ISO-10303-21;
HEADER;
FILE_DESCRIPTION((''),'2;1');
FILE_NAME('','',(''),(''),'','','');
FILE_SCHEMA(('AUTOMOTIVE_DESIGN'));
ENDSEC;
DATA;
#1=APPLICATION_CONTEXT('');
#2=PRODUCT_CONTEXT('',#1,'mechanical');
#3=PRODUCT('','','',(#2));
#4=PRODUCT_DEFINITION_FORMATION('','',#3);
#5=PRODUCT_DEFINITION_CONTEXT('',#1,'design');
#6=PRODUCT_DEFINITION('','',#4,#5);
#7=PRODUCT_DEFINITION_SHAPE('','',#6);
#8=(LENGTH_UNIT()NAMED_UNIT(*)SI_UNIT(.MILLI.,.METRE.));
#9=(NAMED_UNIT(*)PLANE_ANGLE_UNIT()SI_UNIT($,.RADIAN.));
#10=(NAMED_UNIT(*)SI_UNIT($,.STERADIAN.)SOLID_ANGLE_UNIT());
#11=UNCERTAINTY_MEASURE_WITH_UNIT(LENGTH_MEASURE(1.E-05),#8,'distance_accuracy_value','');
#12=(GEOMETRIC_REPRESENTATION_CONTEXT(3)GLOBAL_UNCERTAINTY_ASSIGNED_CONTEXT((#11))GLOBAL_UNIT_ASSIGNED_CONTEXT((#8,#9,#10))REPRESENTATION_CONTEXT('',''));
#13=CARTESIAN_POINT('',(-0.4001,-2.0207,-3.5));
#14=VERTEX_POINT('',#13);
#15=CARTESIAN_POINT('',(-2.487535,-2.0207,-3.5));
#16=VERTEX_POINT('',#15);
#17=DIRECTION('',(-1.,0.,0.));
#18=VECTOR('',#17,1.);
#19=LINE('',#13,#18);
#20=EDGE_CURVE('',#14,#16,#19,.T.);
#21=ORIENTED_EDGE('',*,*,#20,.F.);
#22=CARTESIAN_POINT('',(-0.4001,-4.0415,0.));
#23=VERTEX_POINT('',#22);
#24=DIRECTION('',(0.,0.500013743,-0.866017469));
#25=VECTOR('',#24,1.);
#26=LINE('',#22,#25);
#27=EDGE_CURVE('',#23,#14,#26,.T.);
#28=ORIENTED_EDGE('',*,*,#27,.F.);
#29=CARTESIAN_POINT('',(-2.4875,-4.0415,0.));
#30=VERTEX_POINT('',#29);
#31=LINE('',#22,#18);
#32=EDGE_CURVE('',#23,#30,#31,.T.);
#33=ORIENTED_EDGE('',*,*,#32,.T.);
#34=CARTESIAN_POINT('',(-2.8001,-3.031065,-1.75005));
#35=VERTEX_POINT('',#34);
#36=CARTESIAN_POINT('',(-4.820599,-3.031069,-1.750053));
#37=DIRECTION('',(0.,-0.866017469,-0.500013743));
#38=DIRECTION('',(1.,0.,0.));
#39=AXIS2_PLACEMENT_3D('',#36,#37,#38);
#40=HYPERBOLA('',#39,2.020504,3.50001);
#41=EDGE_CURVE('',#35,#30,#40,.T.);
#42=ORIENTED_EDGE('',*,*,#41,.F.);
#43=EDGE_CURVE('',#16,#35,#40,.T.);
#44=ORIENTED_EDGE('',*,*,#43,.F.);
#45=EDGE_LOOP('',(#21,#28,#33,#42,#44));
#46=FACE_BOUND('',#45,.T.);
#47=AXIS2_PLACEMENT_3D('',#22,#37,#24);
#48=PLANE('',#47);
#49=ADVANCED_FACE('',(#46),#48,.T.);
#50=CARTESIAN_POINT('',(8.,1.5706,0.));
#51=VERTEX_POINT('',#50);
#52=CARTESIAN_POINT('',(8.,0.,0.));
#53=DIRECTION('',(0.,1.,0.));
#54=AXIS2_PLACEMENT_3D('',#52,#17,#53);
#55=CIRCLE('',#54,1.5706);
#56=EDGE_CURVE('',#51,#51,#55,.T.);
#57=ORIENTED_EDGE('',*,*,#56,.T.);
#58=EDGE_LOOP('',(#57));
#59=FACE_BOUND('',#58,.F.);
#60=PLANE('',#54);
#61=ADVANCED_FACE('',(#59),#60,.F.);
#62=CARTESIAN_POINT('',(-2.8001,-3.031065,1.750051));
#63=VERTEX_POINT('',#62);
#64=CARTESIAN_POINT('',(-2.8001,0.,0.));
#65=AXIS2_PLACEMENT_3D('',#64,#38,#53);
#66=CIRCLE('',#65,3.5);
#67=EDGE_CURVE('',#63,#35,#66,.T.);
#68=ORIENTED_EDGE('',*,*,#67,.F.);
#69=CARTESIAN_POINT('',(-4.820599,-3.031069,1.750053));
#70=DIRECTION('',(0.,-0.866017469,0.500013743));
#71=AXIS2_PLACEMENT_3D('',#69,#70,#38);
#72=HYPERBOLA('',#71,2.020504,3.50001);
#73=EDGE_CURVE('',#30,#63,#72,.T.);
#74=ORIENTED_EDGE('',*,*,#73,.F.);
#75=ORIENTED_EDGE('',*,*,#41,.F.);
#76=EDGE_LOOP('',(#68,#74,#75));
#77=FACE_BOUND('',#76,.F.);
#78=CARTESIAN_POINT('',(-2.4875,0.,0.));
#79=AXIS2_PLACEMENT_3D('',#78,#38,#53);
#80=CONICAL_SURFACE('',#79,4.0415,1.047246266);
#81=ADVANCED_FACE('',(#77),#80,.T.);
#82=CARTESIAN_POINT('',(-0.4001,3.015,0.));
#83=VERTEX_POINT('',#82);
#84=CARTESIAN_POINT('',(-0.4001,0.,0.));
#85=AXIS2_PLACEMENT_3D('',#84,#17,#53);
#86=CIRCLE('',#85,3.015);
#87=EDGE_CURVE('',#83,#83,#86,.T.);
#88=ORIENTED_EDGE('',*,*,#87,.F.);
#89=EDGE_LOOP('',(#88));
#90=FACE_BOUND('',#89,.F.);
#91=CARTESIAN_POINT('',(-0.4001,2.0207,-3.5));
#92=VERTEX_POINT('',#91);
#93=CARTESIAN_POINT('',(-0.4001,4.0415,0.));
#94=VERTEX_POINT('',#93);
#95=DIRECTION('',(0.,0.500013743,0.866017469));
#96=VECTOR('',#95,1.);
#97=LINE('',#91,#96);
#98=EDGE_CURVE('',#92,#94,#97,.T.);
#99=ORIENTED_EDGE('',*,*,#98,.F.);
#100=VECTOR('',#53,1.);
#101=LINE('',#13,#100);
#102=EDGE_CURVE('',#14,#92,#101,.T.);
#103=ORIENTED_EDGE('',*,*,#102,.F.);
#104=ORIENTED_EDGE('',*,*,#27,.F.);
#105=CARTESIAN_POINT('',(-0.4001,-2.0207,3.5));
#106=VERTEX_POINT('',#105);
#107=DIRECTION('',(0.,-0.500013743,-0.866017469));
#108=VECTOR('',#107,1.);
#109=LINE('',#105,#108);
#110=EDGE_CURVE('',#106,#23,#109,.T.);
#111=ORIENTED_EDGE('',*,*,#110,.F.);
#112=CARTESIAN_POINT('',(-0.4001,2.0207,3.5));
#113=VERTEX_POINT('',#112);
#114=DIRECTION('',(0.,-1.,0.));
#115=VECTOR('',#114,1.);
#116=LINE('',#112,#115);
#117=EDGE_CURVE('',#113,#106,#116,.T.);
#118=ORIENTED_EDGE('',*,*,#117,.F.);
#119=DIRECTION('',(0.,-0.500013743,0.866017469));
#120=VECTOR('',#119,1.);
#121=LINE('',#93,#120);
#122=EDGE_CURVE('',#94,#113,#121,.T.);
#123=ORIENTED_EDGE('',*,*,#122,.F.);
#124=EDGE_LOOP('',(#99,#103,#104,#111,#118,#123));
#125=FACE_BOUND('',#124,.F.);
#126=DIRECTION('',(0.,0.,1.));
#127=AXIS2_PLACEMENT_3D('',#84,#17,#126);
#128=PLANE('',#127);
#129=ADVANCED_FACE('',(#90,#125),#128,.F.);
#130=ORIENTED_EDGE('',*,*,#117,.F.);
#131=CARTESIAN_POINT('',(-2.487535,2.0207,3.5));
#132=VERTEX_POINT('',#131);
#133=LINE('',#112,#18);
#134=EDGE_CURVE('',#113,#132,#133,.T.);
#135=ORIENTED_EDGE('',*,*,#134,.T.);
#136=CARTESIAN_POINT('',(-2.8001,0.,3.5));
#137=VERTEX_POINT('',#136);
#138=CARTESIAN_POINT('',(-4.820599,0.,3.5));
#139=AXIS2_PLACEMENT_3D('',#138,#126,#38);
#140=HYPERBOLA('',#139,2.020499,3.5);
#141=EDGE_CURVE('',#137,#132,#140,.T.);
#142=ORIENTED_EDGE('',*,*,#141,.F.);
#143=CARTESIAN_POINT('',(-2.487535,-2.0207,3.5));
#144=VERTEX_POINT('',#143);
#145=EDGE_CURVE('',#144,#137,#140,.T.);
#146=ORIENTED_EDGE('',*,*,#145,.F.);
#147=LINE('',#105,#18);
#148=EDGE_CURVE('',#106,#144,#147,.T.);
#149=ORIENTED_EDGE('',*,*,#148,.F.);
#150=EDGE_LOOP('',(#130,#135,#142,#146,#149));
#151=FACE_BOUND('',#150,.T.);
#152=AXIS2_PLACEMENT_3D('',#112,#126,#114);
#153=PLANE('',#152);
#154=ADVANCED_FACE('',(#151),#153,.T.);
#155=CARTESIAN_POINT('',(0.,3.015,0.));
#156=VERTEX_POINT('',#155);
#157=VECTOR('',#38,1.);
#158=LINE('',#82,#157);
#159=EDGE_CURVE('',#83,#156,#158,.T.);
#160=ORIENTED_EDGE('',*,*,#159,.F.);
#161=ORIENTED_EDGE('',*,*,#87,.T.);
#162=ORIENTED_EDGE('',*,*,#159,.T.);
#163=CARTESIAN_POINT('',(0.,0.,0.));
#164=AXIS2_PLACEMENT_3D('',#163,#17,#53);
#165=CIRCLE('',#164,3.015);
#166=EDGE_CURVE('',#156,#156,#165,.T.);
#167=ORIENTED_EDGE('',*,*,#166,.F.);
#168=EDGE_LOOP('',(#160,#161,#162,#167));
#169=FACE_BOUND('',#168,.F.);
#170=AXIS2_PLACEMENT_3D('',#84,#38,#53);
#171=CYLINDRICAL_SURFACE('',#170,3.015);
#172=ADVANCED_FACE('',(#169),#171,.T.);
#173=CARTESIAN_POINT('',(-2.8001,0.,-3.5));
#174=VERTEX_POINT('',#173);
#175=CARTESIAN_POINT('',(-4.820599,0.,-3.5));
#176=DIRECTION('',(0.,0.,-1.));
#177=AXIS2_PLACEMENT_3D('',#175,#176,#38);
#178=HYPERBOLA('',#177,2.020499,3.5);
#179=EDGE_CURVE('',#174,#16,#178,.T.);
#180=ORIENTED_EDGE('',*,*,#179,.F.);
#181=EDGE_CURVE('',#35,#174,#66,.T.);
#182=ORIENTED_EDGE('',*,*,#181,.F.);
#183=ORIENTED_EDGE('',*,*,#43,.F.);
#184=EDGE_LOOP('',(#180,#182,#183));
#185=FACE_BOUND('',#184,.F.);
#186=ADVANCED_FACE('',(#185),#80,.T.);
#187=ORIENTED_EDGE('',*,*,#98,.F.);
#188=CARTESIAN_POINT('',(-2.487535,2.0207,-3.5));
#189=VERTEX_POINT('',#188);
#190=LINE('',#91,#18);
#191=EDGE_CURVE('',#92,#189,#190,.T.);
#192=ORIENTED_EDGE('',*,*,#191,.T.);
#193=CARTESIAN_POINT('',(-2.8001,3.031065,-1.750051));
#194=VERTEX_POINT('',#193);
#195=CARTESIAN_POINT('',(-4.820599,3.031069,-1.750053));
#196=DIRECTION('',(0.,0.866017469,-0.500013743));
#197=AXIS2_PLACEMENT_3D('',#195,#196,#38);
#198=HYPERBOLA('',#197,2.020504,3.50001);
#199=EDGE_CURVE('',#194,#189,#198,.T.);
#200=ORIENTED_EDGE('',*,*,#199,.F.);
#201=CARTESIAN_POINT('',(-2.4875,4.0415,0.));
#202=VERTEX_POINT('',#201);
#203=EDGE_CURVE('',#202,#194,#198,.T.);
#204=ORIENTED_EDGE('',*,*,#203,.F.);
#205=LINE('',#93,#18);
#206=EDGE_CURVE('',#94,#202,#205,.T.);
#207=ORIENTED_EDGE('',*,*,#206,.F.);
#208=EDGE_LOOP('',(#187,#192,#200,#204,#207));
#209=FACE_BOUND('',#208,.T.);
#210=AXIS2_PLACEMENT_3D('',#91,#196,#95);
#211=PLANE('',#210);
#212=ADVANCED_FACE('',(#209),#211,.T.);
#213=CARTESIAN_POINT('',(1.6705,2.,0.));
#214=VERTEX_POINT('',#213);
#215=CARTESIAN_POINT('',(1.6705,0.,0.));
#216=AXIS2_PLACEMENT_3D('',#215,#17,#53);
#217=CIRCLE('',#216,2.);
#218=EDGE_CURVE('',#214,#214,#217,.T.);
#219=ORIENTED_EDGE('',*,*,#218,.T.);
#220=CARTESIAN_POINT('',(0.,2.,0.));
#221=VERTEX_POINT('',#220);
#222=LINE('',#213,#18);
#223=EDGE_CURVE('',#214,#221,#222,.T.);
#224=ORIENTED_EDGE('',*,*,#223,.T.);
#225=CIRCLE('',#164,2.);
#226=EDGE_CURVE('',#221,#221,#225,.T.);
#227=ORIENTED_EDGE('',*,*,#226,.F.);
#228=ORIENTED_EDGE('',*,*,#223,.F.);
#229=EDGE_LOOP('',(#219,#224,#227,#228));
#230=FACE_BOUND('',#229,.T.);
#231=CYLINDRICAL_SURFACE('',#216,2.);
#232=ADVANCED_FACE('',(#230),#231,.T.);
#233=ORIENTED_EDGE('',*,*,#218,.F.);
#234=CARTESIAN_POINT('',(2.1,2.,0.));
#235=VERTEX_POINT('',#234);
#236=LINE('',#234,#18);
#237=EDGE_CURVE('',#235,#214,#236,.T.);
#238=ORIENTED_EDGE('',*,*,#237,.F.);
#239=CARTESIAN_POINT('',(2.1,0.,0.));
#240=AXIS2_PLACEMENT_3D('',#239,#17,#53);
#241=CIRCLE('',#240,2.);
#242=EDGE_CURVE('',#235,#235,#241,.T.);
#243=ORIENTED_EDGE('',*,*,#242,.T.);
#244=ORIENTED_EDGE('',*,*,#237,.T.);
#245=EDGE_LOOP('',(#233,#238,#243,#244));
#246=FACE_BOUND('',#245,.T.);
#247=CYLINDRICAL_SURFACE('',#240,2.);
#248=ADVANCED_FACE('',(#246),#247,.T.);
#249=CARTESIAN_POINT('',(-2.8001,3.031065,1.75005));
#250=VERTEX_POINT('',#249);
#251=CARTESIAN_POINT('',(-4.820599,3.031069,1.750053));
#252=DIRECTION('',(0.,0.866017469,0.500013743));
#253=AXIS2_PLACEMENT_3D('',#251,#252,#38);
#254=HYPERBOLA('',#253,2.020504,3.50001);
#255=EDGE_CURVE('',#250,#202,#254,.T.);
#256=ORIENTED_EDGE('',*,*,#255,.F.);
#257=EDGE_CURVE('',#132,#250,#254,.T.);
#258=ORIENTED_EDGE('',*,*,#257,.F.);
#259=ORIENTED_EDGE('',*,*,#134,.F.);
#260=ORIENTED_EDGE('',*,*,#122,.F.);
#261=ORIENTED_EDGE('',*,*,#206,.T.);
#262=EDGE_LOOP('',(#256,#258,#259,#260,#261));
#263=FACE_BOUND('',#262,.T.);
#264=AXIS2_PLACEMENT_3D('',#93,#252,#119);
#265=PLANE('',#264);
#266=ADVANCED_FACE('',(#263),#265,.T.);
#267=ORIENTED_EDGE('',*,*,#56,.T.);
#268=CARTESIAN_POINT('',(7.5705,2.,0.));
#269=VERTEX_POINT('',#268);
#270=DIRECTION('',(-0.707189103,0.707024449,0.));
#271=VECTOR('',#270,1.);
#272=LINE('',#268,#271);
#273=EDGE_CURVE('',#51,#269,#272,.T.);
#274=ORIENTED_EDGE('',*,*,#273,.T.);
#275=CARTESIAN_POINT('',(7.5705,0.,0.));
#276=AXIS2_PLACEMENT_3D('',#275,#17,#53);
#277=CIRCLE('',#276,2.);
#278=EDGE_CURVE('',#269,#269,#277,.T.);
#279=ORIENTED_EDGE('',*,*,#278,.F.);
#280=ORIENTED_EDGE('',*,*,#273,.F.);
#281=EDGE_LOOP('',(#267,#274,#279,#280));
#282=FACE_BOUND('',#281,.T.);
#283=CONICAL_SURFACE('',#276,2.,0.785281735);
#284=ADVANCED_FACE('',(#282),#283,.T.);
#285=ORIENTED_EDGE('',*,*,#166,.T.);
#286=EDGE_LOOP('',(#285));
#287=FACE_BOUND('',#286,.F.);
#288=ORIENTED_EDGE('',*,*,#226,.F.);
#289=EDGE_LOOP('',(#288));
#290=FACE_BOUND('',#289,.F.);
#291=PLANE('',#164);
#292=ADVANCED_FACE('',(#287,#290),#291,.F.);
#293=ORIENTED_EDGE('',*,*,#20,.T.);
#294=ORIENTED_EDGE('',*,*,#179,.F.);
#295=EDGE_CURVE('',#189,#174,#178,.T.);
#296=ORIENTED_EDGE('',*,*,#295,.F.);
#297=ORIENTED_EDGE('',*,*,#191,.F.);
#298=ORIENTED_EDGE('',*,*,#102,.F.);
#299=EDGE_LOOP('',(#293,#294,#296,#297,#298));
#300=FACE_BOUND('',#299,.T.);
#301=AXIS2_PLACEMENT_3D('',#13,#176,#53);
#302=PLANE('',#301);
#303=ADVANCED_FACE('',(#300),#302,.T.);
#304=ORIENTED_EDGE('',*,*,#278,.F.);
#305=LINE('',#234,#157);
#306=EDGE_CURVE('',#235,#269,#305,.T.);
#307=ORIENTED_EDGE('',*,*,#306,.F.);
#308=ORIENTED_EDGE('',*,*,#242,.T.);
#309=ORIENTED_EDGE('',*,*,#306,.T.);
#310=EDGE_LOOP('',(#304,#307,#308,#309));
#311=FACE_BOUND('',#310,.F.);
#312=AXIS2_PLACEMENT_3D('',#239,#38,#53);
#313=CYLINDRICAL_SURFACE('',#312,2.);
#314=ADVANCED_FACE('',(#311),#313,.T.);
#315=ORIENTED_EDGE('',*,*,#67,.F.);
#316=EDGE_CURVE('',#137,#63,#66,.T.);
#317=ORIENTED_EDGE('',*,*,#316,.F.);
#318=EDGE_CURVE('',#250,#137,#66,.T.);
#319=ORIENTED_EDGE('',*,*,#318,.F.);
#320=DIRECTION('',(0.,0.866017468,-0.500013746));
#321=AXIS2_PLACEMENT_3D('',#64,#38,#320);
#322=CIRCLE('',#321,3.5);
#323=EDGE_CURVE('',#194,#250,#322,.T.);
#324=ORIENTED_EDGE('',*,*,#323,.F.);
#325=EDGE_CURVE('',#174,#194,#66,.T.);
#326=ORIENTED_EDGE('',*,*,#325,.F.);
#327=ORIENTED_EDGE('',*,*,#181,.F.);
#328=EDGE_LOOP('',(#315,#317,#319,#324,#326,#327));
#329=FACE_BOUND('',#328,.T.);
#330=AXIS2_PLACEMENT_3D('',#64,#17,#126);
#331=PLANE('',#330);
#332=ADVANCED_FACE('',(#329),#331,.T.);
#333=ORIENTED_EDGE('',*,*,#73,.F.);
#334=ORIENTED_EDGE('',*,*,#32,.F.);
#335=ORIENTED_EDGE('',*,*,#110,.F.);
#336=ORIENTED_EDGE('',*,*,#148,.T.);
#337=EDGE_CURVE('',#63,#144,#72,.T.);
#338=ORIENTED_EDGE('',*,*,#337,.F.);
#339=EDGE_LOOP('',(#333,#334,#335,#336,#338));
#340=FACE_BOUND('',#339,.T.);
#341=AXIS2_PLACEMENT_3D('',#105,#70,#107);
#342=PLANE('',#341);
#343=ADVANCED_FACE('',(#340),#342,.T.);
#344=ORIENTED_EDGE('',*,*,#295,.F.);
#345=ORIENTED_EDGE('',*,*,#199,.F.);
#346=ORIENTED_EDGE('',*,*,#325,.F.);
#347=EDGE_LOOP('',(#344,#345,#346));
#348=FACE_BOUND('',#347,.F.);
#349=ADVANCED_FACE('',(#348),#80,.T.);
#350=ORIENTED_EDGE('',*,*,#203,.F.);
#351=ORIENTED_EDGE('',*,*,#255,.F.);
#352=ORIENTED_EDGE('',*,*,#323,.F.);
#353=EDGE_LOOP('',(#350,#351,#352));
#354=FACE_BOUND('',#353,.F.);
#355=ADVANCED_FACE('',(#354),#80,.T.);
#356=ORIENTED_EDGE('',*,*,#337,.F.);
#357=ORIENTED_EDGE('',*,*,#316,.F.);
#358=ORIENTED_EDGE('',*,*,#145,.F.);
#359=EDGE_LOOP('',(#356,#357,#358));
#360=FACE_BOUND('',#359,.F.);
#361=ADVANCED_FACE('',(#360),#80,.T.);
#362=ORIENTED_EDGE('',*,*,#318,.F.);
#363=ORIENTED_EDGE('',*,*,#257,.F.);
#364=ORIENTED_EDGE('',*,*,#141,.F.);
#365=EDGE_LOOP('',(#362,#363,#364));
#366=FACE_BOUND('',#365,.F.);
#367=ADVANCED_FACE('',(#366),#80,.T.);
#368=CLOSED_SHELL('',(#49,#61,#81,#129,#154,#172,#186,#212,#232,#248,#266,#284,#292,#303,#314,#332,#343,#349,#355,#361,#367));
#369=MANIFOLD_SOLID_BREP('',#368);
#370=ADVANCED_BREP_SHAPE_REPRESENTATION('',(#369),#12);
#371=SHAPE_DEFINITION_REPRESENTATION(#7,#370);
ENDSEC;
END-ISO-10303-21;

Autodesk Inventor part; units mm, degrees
ref_plane "YZ Plane" through (0, 0, 0) normal (1, 0, 0) x (0, 1, 0)
ref_plane "XZ Plane" through (0, 0, 0) normal (0, 1, 0) x (-1, 0, 0)
sketch "Boceto1" plane through (0, 0, 0) normal (0, 0, 1) x (1, 0, 0)
  line L0 (0, 3.015) -> (0, 2)
  line L1 (2.1, 2) -> (8, 2)
  line L2 (8, 2) -> (8, 0)
  line L3 (8, 0) -> (-0.4001, 0)
  line L4 (-2.0801, 0) -> (9.68, 0) projected
  line L5 (-0.4001, 0) -> (-0.4001, 3.015)
  line L6 (-0.4001, 3.015) -> (0, 3.015)
  line L7 (2.1, 2) -> (1.6705, 2)
  line L8 (1.6705, 2) -> (0, 2)
  line L9 (0, -0.603) -> (0, 3.618) projected
  dimension "d0" = 8
  dimension "d1" = 5.9
  dimension "d2" = 4
  dimension "d9" = 0.4001
  dimension "d10" = 6.03
  dimension "d13" = 0.4295
  dimension "d14" = 4
revolve "Cuerpo" add sketch "Boceto1" angle 360 about axis through (8, 0, 0) along (-1, 0, 0)
sketch "Boceto2" plane through (-0.4001, 0, 0) normal (-1, 0, 0) x (0, 0, 1)
  line L0 (0, 4.0415) -> (3.5, 2.0207)
  line L1 (3.5, 2.0207) -> (3.5, -2.0207)
  line L2 (3.5, -2.0207) -> (0, -4.0415)
  line L3 (0, -4.0415) -> (-3.5, -2.0207)
  line L4 (-3.5, -2.0207) -> (-3.5, 2.0207)
  line L5 (-3.5, 2.0207) -> (0, 4.0415)
  point P0 (0, 0)
  point P1 (0, 0)
  dimension "d11" = 7
extrude "Cabeza" add sketch "Boceto2" along normal blind 2.4
sketch "Boceto4" plane through (0, 0, 0) normal (0, 0, 1) x (1, 0, 0)
  line L0 (-2.8001, 3.5) -> (-2.8001, 4.0415)
  line L1 (-2.8001, 4.0415) -> (-2.4875, 4.0415)
  line L2 (-2.4875, 4.0415) -> (-2.8001, 3.5)
  line L3 (-3.2801, 0) -> (0.0799, 0) projected
  line L4 (-0.4001, 4.0415) -> (-2.8001, 4.0415) projected
  line L5 (-2.8001, 2.0207) -> (-2.8001, 4.0415) projected
  dimension "d5" = 30
  dimension "d19" = 7
revolve "Chaflán1" cut sketch "Boceto4" angle 360 about axis through (-10, 0, 0) along (1, 0, 0)
thread "Rosca" size "M4x0.7" class "6g" standard "ISO Metric profile" length 5.9
chamfer "Chaflán2" distance 0.4294 distance2 0.4295 1 edges at (8, -2, 0) measured on face at (8, 0.1822, 0.4036)
ref_plane "Work Plane1" through (1.525, 0, 0) normal (0, 0, 1) x (1, 0, 0)
equation "\"d0\" = NLG"
equation "\"d1\" = GEL"
equation "\"d2\" = GD"
equation "\"d10\" = SD2"
equation "\"d14\" = BDM"
equation "\"d11\" = SW"
equation "\"d3\" = KOH - SD"
equation "\"d5\" = ANG1"
equation "\"d19\" = SW0"
equation "\"d15\" = GEL"
equation "\"d6\" = -0.5 * SPD + 0.5 * GD"
equation "\"NLG\" = 8"
equation "\"GD\" = NND"
equation "\"BDM\" = NND"
equation "\"KOH\" = 2.8"
equation "\"GEL\" = 5.9"
equation "\"SW\" = 7"
equation "\"SW0\" = SW"
equation "\"SPD\" = NND - 1.2269 * PTC"
equation "\"SD2\" = 6.03"
equation "\"SD\" = 0.4"
equation "\"ANG1\" = 30deg"
equation "\"GAL\" = 0.61345 * PTC"
equation "\"GUL\" = 0.61345 * PTC"
equation "\"RR\" = 0.2"
equation "\"GD1\" = THREADDIA - 1.2269 * PTC"
equation "\"THREADDIA\" = 4"
equation "\"SDH\" = SD2"
equation "\"SDHG\" = 2.1"
equation "\"TOA\" = 30deg"
equation "\"PTC\" = 0.7"
equation "\"NND\" = 4"
equation "\"E0\" = 8.085"
properties part number "ISO 4017 - M4 x 8" material "Acero inoxidable, 440C"
